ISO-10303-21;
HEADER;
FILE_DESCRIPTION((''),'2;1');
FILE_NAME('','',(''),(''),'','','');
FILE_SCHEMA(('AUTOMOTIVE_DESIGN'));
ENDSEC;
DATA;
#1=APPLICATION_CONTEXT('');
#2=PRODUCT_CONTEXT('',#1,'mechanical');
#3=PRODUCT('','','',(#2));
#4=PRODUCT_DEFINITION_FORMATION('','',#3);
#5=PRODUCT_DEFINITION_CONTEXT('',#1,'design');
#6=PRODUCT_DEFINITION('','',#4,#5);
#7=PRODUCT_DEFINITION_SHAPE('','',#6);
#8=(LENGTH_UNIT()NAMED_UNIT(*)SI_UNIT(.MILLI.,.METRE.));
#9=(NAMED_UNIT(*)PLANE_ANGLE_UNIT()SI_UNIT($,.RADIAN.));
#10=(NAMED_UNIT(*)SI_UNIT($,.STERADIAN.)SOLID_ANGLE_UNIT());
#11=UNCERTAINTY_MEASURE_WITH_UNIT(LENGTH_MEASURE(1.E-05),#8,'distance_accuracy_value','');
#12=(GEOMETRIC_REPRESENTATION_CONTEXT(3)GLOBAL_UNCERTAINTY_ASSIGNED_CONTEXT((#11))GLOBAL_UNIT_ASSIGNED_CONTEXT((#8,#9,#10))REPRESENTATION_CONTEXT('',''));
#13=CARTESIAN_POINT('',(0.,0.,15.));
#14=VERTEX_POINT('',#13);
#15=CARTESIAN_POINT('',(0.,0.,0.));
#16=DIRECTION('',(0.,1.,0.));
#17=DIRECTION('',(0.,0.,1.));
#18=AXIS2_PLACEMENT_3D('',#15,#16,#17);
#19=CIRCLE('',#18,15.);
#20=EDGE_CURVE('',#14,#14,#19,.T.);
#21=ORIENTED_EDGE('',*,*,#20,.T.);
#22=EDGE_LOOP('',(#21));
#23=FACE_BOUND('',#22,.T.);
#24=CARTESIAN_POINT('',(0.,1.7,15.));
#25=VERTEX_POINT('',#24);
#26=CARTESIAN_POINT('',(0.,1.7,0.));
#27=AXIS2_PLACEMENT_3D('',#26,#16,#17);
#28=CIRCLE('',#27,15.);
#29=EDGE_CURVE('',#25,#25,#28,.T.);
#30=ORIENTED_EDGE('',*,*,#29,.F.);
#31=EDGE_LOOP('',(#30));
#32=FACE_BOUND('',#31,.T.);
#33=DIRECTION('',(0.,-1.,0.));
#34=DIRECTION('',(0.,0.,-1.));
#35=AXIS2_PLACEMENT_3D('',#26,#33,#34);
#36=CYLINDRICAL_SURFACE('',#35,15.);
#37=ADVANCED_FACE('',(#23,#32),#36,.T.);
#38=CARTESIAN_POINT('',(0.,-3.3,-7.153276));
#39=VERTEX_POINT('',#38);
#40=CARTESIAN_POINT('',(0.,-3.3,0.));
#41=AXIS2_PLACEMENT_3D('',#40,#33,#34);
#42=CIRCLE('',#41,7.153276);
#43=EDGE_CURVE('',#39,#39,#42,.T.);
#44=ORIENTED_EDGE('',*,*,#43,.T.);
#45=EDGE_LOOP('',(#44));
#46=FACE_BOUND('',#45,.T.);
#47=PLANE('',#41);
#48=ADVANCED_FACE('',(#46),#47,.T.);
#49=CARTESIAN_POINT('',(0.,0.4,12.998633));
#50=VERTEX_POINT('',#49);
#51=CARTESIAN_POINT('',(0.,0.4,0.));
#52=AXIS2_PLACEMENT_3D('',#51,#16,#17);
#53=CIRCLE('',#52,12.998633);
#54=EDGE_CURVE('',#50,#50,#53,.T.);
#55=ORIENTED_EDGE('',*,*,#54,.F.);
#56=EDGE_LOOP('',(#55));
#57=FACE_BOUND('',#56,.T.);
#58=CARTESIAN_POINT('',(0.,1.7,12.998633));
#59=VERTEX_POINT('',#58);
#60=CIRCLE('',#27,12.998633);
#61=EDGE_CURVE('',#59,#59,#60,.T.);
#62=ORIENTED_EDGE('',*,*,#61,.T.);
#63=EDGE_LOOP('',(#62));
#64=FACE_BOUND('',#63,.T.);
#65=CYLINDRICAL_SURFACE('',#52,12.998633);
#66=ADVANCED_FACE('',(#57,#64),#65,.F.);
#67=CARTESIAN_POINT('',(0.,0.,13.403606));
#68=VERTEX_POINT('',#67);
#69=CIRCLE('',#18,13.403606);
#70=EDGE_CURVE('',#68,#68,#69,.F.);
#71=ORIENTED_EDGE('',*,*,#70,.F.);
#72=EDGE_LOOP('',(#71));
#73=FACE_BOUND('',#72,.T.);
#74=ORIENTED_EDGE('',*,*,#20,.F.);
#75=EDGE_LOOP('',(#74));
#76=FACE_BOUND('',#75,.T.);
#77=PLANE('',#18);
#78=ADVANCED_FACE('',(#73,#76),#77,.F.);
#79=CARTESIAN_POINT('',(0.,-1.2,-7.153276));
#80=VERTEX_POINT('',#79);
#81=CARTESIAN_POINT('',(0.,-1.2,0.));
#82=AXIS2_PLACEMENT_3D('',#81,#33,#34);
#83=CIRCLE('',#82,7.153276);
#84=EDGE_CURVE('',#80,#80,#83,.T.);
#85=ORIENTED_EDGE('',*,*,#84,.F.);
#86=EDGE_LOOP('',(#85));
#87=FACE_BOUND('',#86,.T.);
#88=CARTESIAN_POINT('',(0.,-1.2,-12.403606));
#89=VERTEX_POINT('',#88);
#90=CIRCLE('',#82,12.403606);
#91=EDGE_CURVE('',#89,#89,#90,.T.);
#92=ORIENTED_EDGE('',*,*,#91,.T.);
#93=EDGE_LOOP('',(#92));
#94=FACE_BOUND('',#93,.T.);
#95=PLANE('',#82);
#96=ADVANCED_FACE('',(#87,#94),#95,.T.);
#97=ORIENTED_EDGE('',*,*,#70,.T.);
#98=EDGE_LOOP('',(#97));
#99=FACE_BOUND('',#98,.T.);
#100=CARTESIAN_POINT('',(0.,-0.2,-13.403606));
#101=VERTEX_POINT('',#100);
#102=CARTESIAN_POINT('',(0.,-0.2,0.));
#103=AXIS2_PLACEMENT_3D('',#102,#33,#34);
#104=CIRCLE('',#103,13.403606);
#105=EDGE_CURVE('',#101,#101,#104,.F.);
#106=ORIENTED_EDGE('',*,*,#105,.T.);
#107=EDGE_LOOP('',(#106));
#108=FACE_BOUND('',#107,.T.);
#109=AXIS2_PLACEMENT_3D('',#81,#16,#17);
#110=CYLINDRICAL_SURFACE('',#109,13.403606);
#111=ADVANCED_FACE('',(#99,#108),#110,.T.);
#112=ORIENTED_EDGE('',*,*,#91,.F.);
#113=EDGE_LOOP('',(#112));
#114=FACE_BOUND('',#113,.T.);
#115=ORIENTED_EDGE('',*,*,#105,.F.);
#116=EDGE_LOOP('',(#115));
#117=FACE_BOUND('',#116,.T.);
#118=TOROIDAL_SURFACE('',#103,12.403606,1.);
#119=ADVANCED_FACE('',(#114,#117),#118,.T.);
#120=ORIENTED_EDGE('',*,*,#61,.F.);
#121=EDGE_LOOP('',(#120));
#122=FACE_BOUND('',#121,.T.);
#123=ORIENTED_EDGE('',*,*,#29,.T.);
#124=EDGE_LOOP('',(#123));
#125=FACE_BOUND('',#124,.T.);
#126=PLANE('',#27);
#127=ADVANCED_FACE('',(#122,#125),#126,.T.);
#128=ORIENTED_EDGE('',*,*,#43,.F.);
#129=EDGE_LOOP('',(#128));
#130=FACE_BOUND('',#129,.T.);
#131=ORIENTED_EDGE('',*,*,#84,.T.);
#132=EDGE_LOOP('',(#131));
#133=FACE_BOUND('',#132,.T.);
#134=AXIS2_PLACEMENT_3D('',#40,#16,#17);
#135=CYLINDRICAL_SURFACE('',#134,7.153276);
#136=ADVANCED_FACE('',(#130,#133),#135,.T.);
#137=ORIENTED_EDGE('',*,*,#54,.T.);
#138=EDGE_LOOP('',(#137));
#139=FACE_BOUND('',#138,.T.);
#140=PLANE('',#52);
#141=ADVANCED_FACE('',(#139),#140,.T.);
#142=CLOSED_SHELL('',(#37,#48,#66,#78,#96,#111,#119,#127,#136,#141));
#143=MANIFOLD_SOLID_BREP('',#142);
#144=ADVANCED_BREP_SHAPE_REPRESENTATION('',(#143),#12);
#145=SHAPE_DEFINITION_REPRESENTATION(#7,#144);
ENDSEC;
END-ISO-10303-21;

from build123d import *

# Parameters (mm, degrees)
SKETCH_1_R          = 15
EXTRUDE_1_DEPTH     = 1.7
SKETCH_2_R          = 13.403606185
EXTRUDE_2_DEPTH     = 1.2
FILLET_1_R          = 1
SKETCH_4_R          = 7.153275754
EXTRUDE_3_DEPTH     = 2.1
SKETCH_6_R          = 12.998633497
CUT_EXTRUDE_4_DEPTH = 1.3


with BuildPart() as part:
    # Эскиз1 → Бобышка-Вытянуть1 (new body)
    with BuildSketch(Plane(origin=(0, 0, 0), x_dir=(1, 0, 0), z_dir=(0, 1, 0))):
        with Locations(Location((0, 0, 0), (0, 0, 270))):
            Circle(SKETCH_1_R)
    extrude(amount=EXTRUDE_1_DEPTH)

    # Эскиз2 → Бобышка-Вытянуть2 (add)
    with BuildSketch(Plane.XZ):
        with Locations(Location((0, 0, 0), (0, 0, 90))):
            Circle(SKETCH_2_R)
    extrude(amount=EXTRUDE_2_DEPTH)

    # Скругление1
    fillet_1_edges = [part.edges().sort_by_distance(p)[0] for p in [
        (0, -1.2, -13.403606185),
    ]]
    fillet(fillet_1_edges, radius=FILLET_1_R)

    # Эскиз4 → Бобышка-Вытянуть3 (add)
    with BuildSketch(Plane.XZ.offset(1.2)):
        with Locations(Location((0, 0, 0), (0, 0, 270))):
            Circle(SKETCH_4_R)
    extrude(amount=EXTRUDE_3_DEPTH)

    # Эскиз6 → Вырез-Вытянуть4 (cut)
    with BuildSketch(Plane(origin=(0, 1.7, 0), x_dir=(1, 0, 0), z_dir=(0, 1, 0))):
        with Locations(Location((0, 0, 0), (0, 0, 270))):
            Circle(SKETCH_6_R)
    extrude(amount=-CUT_EXTRUDE_4_DEPTH, mode=Mode.SUBTRACT)


solid = part.part
